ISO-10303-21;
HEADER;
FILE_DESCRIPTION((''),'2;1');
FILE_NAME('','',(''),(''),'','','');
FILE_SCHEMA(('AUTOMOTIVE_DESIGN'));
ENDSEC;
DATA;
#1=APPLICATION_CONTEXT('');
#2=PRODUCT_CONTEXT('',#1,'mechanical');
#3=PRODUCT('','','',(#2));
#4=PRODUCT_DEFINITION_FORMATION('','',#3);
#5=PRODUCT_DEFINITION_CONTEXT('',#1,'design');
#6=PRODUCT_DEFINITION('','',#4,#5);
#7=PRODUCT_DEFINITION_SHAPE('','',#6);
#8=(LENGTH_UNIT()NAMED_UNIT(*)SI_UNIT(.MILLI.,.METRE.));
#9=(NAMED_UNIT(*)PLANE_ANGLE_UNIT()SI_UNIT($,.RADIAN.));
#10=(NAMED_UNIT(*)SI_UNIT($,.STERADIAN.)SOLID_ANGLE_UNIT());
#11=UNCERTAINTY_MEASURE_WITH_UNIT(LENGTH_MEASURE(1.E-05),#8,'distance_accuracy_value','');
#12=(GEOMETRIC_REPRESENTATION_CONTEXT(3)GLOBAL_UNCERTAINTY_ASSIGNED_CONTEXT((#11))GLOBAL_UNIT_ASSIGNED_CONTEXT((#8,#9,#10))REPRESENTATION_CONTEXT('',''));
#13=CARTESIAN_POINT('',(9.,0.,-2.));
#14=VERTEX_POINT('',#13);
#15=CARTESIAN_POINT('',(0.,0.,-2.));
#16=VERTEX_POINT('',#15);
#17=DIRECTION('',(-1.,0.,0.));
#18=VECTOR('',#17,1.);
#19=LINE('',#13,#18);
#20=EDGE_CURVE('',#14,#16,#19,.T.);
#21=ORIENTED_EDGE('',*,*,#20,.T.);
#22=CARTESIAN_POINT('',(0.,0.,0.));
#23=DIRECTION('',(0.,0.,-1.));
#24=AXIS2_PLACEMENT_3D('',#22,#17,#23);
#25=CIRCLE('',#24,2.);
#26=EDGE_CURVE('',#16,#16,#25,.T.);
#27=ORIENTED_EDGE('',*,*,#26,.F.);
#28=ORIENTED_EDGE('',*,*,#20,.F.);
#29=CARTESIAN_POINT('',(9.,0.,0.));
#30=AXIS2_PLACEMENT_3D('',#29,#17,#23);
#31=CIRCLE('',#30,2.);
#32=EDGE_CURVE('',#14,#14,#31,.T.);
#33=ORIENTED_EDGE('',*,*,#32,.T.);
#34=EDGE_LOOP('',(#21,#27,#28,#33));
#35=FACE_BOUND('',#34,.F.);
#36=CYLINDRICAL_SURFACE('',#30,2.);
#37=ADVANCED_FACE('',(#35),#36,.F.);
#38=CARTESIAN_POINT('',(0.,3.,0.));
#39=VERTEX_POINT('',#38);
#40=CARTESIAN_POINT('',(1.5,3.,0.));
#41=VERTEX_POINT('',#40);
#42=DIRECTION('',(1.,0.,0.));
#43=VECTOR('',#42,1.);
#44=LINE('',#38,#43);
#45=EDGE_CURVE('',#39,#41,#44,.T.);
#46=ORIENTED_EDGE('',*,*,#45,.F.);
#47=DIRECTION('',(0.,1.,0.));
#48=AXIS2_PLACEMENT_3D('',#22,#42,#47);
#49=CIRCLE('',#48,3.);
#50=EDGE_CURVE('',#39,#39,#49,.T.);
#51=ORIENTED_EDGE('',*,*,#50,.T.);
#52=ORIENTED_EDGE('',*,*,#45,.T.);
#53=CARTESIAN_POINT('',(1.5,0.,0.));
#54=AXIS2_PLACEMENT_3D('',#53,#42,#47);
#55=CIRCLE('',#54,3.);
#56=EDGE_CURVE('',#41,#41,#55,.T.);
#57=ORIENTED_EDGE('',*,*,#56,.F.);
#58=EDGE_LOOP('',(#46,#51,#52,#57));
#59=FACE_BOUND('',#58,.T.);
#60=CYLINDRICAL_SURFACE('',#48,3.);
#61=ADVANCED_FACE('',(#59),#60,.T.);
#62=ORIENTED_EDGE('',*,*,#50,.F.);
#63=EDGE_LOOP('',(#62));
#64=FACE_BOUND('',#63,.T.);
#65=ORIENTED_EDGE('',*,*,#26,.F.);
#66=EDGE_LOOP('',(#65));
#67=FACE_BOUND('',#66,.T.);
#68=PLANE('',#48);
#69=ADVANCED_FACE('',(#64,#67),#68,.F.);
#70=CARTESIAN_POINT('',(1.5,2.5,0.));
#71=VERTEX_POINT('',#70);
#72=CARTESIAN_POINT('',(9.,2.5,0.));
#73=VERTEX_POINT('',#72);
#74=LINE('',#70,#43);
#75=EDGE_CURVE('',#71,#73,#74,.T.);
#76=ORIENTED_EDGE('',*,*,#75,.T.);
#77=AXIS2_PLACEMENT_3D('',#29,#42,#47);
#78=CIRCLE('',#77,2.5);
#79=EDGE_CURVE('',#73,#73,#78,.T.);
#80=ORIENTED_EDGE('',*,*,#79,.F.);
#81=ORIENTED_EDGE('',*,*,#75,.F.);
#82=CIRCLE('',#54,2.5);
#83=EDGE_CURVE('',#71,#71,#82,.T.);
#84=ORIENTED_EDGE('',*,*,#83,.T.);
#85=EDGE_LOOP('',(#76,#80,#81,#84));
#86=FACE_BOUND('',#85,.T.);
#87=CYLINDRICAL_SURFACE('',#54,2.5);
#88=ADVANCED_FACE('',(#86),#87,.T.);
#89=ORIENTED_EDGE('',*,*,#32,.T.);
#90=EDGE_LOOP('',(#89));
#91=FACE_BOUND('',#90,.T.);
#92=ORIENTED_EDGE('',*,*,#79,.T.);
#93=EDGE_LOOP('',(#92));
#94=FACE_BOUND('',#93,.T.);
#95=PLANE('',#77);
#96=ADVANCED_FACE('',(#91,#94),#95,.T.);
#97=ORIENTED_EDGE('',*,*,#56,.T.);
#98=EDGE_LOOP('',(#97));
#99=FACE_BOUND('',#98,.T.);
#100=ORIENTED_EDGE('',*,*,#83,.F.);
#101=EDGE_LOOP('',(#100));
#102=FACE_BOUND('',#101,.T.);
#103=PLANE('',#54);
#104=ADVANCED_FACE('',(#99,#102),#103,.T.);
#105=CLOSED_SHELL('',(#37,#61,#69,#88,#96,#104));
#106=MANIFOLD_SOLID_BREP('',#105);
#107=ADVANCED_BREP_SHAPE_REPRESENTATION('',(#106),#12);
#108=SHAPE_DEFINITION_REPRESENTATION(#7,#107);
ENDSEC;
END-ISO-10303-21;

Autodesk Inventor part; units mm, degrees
ref_plane "YZ Plane" through (0, 0, 0) normal (1, 0, 0) x (0, 1, 0)
ref_plane "XZ Plane" through (0, 0, 0) normal (0, 1, 0) x (-1, 0, 0)
ref_plane "XY Plane" through (0, 0, 0) normal (0, 0, 1) x (1, 0, 0)
sketch "Skizze1" plane through (0, 0, 0) normal (0, 0, 1) x (1, 0, 0)
  line L0 (0, 0) -> (9, 0)
  line L1 (0, 0) -> (0, 3)
  line L2 (0, 3) -> (1.5, 3)
  line L3 (1.5, 3) -> (1.5, 2.5)
  line L4 (1.5, 2.5) -> (9, 2.5)
  line L5 (9, 2.5) -> (9, 0)
  point P0 (1.5, 2.75)
  dimension "d0" = 1.5
  dimension "d1" = 6
  dimension "d2" = 5
  dimension "d3" = 9
revolve "Umdrehung1" add sketch "Skizze1" angle 360 about axis through (0, 0, 0) along (1, 0, 0)
sketch "Skizze2" plane through (9, 0, 0) normal (1, 0, 0) x (0, 0, -1)
  circle A0 centre (0, 0) radius 2.5 projected
hole "Bohrung1" at (9, 0, 0) direction (-1, 0, 0) diameter 4 end through all
properties part number "SechDurchmesser_ring" material "Gold"
